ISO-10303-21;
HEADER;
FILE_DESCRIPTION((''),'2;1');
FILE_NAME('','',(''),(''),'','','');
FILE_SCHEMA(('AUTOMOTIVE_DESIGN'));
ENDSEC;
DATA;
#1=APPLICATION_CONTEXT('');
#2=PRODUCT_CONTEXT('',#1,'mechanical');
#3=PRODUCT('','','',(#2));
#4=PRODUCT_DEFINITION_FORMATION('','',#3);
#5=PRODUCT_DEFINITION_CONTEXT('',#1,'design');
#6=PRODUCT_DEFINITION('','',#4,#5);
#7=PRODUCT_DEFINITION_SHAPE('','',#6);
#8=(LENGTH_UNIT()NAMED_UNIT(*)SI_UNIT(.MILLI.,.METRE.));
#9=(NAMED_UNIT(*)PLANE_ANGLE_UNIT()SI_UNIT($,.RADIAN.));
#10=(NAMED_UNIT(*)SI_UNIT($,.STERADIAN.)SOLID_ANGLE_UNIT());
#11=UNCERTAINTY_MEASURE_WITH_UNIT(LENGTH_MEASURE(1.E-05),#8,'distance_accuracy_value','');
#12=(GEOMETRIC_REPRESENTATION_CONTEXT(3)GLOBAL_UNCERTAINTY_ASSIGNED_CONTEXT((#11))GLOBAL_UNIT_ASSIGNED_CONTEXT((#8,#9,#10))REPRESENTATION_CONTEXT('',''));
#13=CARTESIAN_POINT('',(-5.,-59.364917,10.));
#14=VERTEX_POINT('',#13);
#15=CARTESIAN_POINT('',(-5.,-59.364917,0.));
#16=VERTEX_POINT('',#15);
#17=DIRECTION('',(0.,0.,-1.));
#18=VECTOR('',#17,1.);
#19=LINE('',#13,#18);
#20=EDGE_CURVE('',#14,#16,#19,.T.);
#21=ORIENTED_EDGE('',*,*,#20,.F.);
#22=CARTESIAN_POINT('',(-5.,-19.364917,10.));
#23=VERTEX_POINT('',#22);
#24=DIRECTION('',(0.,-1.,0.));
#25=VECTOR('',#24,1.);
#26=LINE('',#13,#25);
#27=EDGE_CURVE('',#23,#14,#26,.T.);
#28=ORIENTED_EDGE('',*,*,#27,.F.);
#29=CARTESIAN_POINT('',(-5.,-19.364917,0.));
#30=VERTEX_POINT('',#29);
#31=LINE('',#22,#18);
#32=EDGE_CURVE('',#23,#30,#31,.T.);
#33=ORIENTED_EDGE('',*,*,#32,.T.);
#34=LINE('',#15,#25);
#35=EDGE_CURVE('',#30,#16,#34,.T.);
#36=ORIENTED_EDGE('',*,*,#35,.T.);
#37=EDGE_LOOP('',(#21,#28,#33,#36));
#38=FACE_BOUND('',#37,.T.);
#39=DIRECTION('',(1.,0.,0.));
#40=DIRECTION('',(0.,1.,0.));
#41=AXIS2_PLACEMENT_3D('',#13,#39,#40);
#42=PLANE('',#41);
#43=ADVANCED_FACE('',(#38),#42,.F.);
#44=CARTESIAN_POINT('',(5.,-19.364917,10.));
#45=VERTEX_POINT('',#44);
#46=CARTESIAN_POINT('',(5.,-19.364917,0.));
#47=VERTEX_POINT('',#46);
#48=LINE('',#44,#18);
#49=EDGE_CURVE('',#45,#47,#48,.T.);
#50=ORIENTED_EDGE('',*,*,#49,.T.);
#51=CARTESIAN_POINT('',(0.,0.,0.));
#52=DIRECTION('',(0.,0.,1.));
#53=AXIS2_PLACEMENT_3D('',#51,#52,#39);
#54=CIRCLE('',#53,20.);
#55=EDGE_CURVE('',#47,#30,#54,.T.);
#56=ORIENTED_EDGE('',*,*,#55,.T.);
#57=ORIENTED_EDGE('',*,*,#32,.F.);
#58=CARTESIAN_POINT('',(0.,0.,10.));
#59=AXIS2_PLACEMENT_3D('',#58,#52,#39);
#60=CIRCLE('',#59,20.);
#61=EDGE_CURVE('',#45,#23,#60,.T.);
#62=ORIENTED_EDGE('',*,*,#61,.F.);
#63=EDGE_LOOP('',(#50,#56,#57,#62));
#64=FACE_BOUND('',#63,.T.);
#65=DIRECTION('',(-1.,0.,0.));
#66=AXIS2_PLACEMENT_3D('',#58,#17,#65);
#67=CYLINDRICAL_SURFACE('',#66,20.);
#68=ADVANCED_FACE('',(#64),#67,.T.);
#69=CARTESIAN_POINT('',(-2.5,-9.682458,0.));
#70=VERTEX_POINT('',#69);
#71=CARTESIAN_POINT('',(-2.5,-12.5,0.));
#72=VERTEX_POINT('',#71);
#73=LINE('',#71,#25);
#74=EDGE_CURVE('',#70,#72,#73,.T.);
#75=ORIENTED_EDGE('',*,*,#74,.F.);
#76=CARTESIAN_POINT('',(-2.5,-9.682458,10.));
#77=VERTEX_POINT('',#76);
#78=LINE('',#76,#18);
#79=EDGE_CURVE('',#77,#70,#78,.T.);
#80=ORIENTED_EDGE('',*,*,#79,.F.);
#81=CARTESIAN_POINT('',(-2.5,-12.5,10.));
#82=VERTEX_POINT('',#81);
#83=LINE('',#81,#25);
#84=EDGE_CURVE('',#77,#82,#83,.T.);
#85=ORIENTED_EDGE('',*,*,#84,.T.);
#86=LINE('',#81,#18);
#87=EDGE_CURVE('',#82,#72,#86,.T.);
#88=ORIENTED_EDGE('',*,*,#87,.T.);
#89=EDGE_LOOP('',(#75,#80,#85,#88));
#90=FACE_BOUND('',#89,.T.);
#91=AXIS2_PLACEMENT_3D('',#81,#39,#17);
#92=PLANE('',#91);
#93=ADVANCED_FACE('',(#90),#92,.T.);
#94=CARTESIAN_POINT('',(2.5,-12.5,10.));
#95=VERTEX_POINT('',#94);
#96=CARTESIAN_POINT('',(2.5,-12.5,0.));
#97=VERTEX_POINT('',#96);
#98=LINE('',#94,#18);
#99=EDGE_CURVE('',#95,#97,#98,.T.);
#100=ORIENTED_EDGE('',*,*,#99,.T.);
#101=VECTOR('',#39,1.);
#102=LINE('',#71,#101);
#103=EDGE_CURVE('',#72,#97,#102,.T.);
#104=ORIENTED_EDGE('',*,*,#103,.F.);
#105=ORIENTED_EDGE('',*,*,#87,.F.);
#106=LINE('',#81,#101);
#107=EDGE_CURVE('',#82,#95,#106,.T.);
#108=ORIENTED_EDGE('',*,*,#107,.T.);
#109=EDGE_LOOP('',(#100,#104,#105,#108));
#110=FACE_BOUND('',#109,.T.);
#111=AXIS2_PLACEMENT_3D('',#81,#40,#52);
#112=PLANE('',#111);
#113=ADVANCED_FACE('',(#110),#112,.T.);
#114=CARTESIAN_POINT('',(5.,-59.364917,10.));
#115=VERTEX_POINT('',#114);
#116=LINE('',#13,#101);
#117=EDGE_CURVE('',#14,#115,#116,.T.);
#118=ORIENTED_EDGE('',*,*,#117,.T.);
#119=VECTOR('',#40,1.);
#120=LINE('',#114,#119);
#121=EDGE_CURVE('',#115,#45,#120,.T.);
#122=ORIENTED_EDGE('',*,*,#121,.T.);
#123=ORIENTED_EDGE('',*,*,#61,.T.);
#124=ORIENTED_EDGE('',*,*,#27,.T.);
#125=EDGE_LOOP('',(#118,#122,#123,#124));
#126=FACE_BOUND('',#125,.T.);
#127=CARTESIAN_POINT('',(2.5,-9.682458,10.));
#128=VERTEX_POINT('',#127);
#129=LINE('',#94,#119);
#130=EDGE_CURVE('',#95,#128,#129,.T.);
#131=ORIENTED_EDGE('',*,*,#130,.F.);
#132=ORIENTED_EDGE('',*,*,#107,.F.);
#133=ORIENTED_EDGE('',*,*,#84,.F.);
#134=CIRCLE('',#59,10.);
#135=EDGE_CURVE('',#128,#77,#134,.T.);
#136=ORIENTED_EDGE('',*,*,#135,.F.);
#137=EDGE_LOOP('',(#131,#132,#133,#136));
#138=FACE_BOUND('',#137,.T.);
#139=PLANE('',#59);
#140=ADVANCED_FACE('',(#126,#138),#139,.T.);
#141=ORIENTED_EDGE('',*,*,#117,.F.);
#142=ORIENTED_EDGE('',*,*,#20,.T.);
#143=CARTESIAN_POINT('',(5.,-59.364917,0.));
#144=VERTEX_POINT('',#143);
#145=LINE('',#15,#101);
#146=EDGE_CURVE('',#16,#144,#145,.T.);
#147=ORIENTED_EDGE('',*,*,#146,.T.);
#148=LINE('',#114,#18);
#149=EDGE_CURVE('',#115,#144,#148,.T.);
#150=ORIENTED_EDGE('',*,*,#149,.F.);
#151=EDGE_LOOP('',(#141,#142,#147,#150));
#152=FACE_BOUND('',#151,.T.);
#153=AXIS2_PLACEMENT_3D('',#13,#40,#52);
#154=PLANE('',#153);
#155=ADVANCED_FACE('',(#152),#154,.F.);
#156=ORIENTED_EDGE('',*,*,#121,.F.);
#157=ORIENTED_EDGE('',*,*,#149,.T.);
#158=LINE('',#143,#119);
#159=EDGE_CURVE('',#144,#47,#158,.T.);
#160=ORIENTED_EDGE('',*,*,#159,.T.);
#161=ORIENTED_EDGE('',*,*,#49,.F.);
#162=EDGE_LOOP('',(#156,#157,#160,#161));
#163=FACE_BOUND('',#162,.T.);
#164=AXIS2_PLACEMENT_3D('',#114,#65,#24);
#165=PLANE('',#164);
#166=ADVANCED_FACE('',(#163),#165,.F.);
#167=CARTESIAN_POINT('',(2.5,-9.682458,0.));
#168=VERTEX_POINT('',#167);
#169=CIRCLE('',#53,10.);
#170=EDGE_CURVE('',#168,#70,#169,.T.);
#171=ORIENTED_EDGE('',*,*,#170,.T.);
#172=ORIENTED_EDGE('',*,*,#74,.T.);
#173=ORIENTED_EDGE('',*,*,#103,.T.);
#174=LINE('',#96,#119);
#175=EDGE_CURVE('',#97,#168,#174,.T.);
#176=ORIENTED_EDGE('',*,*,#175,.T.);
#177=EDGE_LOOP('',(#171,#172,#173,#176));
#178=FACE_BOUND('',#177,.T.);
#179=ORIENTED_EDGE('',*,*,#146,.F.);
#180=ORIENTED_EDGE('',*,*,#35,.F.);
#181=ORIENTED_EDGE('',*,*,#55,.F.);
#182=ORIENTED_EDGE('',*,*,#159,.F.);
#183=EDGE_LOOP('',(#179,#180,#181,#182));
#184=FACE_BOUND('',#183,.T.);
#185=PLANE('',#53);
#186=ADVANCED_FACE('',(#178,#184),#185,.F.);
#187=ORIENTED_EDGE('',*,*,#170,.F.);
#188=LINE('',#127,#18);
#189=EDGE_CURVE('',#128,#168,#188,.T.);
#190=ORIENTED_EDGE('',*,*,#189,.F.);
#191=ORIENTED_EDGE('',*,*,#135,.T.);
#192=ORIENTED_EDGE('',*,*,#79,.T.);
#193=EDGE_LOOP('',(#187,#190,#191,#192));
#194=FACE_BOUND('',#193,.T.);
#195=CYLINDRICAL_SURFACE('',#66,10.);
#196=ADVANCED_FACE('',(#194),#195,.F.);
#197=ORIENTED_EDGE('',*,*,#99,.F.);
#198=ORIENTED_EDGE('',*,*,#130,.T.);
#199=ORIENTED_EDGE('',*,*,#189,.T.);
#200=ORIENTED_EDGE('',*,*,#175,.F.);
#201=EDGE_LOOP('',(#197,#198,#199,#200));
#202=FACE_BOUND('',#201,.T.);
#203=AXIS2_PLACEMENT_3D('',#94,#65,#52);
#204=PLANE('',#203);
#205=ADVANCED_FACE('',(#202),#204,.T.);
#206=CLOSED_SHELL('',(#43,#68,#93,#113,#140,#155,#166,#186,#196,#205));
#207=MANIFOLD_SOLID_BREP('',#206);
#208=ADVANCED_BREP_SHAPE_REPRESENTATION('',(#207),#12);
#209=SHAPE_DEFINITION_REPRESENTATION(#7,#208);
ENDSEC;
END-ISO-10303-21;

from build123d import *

# Parameters (mm, degrees)
BOSS_EXTRUDE1_DEPTH = 10


with BuildPart() as part:
    # Sketch1 → Boss-Extrude1 (new body)
    with BuildSketch(Plane.XY):
        with BuildLine():
            Line((-5, -59.364916731), (5, -59.364916731))
            Line((5, -59.364916731), (5, -19.364916731))
            ThreePointArc((5, -19.364916731), (0, 20), (-5, -19.364916731))
            Line((-5, -19.364916731), (-5, -59.364916731))
        make_face()
        with BuildLine():
            Line((-2.5, -12.5), (2.5, -12.5))
            Line((2.5, -12.5), (2.5, -9.682458366))
            ThreePointArc((2.5, -9.682458366), (0, 10), (-2.5, -9.682458366))
            Line((-2.5, -9.682458366), (-2.5, -12.5))
        make_face(mode=Mode.SUBTRACT)
    extrude(amount=BOSS_EXTRUDE1_DEPTH)


solid = part.part
